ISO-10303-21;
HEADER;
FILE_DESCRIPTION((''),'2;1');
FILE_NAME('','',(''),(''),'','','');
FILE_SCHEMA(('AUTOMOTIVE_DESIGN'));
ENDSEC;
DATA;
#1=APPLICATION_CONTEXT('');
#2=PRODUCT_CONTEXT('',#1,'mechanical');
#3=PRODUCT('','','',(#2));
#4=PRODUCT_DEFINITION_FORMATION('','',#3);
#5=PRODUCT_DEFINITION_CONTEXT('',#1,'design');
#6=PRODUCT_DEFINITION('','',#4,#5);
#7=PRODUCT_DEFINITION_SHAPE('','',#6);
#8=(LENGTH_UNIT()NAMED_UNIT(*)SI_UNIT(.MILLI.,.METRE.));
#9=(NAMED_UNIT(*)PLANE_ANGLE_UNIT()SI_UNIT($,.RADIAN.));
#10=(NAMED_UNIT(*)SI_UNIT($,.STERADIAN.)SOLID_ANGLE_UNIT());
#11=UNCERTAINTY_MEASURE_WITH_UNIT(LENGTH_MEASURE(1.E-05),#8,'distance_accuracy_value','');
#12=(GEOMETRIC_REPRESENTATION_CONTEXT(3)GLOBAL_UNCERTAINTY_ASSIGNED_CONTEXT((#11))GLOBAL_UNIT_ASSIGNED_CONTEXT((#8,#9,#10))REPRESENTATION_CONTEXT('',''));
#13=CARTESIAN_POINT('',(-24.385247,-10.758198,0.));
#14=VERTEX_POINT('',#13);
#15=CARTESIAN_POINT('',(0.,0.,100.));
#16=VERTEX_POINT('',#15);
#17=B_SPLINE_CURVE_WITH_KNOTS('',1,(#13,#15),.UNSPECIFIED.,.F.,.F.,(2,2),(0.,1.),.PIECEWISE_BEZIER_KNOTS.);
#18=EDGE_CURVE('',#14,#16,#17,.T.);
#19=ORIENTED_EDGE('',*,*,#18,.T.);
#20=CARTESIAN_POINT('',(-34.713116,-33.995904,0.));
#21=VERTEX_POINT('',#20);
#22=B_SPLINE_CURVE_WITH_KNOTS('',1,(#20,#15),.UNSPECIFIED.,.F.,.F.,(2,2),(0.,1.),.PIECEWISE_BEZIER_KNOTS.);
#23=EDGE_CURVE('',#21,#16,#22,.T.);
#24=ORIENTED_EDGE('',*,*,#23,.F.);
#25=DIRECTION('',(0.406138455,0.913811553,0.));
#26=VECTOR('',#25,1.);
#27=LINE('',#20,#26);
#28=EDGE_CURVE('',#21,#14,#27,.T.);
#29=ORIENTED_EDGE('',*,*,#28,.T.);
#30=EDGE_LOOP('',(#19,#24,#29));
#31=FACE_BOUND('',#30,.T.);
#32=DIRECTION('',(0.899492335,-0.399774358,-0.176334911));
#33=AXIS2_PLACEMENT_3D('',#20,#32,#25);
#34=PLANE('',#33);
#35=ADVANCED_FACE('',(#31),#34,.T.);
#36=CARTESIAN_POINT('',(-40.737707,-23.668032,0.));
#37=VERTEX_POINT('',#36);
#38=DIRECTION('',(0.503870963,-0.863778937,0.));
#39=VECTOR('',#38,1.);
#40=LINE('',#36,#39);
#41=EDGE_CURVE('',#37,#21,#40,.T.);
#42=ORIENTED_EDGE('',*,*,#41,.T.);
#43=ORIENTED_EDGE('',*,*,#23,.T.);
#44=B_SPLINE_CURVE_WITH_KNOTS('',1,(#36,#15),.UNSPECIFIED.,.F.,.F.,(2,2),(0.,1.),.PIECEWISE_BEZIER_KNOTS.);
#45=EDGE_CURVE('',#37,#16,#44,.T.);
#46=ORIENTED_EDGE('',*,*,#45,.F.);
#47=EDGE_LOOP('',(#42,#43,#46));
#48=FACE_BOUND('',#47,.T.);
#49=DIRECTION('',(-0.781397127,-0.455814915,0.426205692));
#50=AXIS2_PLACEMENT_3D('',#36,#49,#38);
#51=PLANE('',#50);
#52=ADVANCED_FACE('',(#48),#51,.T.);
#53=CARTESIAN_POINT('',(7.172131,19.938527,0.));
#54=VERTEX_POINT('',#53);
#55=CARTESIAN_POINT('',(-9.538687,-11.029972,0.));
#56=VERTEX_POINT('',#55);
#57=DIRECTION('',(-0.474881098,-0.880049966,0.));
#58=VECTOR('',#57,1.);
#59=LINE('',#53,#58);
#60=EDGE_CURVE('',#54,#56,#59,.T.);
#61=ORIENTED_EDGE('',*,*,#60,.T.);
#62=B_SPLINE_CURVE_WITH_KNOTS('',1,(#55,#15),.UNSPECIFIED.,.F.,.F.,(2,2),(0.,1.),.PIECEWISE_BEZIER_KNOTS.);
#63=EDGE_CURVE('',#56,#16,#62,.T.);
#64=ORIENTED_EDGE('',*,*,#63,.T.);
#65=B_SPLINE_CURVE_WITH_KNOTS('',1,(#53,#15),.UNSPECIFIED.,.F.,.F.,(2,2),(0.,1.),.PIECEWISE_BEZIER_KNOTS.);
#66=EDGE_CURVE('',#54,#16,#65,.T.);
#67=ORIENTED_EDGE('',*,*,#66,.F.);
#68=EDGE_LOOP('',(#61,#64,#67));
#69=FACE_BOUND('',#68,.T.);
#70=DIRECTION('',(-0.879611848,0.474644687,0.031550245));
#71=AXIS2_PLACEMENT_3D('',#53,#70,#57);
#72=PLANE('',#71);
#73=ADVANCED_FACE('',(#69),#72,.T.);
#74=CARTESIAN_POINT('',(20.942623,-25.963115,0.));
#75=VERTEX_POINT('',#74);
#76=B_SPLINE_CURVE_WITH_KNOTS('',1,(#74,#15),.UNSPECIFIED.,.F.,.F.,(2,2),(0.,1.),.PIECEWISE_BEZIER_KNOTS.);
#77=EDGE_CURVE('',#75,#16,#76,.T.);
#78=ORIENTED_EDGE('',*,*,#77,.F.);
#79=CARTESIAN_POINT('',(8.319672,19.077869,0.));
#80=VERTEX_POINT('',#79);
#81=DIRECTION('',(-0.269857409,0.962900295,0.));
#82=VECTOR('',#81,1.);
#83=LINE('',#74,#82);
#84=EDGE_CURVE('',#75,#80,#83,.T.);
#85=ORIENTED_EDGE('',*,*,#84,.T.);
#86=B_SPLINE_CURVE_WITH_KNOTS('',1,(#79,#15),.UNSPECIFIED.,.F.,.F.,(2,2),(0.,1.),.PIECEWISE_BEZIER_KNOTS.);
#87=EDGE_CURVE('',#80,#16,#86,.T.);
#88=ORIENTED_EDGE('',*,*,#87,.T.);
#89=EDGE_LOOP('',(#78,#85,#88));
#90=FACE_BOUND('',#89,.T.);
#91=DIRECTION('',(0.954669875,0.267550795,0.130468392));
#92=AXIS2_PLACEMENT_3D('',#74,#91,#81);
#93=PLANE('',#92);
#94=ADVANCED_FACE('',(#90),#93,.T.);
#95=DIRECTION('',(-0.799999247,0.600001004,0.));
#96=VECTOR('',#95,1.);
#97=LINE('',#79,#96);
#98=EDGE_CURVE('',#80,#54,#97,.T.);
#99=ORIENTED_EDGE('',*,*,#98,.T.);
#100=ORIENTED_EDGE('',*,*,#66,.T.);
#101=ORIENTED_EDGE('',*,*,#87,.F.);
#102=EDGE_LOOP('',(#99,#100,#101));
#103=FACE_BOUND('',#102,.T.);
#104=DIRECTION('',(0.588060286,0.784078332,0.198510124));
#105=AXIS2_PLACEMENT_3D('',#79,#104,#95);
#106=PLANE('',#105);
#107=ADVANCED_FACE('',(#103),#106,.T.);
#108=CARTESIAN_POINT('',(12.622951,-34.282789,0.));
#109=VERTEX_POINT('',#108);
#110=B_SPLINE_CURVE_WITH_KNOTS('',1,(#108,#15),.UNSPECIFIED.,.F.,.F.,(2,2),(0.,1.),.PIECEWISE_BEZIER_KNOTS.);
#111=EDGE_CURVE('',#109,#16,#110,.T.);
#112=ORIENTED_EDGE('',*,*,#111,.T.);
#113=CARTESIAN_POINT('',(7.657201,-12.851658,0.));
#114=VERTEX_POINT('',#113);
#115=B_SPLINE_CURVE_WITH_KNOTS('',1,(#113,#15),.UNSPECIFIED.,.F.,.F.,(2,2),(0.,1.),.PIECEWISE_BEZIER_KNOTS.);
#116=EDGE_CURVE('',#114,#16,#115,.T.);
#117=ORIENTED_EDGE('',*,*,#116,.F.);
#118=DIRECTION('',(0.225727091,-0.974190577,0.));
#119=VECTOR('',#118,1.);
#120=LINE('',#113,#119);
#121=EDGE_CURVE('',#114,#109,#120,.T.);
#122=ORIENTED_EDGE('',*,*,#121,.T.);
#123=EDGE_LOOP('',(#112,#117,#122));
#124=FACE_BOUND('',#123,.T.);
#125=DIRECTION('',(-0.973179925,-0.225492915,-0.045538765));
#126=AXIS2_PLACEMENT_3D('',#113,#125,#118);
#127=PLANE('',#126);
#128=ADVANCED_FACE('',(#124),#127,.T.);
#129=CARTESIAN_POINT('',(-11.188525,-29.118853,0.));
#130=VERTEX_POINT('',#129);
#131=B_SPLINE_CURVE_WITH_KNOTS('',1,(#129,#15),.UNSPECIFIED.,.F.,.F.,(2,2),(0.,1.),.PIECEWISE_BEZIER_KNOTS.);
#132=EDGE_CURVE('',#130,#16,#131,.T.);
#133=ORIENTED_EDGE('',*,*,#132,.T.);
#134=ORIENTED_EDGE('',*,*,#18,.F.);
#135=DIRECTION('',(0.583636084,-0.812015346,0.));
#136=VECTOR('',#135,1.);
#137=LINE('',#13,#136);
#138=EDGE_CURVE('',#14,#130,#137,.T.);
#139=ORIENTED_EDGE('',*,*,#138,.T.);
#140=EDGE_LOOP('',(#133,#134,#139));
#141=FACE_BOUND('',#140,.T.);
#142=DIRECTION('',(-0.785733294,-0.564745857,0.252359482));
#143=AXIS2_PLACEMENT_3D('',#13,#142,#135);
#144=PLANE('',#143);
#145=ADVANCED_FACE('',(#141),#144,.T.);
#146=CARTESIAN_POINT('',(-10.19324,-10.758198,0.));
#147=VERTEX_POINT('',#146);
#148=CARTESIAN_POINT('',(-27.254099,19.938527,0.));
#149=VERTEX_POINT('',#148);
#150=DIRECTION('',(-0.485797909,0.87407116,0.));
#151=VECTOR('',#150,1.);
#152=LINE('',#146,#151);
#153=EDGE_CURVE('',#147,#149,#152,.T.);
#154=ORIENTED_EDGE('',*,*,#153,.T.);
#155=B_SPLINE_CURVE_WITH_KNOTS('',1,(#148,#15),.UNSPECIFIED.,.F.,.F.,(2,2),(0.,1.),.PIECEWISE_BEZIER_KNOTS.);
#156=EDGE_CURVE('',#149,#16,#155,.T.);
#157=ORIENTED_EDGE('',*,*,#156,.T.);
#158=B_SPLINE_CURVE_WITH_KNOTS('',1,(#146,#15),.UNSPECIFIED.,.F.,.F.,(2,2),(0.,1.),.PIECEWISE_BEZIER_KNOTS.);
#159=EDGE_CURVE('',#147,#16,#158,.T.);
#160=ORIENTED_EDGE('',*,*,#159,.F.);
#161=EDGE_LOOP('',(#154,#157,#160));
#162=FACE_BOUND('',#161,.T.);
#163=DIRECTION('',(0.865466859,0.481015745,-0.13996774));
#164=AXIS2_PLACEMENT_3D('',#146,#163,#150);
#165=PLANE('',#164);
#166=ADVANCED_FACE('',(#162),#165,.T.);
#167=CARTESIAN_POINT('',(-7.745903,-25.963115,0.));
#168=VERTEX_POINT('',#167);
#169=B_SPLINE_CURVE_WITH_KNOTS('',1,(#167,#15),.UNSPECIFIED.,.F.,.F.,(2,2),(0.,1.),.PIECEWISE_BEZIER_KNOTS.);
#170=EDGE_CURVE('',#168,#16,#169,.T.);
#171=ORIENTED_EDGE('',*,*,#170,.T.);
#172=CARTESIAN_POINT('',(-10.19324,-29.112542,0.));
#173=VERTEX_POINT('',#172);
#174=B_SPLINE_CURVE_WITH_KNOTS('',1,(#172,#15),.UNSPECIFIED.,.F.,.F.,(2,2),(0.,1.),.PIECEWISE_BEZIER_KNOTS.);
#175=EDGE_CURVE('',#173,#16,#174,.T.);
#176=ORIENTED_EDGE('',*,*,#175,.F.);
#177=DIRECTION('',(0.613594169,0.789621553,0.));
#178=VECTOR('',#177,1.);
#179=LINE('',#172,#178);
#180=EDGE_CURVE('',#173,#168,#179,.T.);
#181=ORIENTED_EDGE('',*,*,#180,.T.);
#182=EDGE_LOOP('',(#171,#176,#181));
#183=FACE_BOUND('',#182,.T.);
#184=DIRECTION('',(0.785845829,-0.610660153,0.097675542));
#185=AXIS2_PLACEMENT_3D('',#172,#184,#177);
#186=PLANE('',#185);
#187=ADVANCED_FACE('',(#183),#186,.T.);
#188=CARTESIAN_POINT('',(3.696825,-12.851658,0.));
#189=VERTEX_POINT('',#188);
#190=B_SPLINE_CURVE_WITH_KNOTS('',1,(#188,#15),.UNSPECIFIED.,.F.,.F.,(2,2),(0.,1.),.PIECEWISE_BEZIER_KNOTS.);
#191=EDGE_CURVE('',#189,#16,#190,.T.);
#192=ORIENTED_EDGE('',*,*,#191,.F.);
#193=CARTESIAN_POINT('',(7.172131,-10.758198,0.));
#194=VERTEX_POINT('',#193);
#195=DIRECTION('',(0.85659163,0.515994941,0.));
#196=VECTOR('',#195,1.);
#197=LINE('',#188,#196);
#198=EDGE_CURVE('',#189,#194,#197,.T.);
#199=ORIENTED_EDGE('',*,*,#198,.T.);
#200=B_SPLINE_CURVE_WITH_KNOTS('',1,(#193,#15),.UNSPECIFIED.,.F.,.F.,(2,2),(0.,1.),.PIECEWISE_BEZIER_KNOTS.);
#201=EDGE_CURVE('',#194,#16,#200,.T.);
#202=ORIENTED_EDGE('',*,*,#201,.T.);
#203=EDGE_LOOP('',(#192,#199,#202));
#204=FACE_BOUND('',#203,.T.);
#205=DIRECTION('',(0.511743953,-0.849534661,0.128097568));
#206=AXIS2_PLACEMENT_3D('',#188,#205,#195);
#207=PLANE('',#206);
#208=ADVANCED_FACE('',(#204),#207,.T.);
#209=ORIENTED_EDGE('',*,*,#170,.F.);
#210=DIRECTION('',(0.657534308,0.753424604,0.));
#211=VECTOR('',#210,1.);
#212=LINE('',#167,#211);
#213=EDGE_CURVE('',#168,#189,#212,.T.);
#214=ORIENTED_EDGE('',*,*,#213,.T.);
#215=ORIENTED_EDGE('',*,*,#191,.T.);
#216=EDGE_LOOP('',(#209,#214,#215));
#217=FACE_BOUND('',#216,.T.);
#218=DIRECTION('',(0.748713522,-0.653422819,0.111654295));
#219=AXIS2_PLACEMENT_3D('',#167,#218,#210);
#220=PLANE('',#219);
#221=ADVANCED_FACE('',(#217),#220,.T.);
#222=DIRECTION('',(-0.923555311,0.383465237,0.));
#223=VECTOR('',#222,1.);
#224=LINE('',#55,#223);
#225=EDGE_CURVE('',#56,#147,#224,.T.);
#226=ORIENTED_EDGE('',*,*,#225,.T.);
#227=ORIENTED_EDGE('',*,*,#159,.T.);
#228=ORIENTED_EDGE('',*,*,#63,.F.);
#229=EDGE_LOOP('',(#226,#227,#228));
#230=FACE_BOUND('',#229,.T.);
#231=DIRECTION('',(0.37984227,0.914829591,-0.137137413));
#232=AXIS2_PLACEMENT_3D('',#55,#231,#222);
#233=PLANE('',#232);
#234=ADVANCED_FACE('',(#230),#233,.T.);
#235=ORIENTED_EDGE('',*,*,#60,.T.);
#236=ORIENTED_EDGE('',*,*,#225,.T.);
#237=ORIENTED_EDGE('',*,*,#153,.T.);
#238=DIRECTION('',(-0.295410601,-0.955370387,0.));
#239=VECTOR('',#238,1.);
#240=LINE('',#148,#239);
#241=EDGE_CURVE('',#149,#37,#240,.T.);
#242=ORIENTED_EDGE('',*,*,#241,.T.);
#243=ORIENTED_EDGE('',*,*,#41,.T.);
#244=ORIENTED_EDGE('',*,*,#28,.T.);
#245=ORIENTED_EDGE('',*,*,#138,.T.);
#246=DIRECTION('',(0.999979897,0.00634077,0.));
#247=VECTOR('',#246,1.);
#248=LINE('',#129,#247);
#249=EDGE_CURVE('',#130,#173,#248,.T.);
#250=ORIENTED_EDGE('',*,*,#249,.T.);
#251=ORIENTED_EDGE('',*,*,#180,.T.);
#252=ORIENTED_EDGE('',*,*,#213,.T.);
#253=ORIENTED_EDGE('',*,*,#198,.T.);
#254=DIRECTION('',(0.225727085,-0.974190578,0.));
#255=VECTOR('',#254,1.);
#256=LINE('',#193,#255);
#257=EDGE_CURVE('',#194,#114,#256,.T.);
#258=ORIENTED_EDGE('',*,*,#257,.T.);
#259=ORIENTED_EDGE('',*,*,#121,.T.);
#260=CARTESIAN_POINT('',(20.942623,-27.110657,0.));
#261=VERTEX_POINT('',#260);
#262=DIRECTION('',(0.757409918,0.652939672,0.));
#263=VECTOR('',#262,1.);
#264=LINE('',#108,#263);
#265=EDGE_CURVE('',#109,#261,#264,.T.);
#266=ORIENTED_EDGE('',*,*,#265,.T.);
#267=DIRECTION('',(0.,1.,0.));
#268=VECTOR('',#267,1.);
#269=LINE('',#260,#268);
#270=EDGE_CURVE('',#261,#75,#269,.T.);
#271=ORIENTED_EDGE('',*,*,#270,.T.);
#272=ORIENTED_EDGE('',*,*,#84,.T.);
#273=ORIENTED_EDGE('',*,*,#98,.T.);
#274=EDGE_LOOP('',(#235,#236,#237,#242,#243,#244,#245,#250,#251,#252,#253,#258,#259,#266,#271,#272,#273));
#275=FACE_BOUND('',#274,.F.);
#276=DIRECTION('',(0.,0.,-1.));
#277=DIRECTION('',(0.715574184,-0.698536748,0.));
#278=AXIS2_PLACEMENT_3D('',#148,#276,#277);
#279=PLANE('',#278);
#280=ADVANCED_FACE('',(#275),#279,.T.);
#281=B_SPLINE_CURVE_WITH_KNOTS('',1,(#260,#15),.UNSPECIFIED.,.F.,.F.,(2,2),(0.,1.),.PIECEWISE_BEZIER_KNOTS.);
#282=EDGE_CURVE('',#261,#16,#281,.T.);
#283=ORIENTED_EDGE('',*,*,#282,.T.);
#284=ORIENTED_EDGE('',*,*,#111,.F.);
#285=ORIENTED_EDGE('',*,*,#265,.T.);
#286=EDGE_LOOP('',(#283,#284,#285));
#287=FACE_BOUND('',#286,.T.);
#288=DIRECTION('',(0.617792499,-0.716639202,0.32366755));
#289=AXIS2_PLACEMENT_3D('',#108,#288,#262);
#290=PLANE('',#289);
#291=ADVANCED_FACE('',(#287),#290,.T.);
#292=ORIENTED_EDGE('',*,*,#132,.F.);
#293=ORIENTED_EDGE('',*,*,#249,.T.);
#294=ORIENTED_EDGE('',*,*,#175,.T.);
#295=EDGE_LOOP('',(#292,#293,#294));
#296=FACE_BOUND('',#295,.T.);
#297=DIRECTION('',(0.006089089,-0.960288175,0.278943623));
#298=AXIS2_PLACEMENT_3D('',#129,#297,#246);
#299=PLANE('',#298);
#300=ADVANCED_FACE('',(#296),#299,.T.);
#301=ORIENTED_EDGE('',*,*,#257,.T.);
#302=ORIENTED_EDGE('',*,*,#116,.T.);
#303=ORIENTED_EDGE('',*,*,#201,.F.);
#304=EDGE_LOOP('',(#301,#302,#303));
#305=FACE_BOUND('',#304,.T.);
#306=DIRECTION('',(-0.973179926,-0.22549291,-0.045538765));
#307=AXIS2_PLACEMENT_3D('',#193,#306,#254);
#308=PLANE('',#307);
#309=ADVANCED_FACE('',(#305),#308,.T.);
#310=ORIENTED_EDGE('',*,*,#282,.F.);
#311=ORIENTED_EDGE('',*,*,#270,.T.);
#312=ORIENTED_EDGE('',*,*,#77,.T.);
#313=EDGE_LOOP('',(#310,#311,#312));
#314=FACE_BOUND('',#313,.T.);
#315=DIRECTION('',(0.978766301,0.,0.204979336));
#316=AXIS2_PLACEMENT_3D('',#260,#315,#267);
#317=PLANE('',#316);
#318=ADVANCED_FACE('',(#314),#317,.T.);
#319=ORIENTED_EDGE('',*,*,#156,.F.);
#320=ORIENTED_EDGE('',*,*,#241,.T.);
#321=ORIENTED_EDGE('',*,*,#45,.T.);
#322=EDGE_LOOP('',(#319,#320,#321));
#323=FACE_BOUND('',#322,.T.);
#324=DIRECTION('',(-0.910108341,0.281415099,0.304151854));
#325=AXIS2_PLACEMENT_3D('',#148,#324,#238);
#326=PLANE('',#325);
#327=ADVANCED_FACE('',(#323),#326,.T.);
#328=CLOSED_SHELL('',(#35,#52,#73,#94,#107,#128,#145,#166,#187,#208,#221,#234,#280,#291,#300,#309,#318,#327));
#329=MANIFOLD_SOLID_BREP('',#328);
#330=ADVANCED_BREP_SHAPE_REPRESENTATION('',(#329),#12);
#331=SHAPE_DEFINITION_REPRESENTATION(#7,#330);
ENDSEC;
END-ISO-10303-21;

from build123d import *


with BuildPart() as f3:
    # F0 (on Top) → F3 section 0
    with BuildSketch(Plane.XY, mode=Mode.PRIVATE) as f3_s0:
        Polygon((-27.254099, 19.938527), (-40.737707, -23.668032), (-34.713116, -33.995904), (-24.385247, -10.758198), (-11.188525, -29.118853), (-10.19324, -29.112542), (-7.745903, -25.963115), (3.696825, -12.851658), (7.172131, -10.758198), (7.657201, -12.851658), (12.622951, -34.282789), (20.942623, -27.110657), (20.942623, -25.963115), (8.319672, 19.077869), (7.172131, 19.938527), (-9.538687, -11.029972), (-10.19324, -10.758198), align=None)
    loft([f3_s0.sketch, Vertex(0, 0, 100)])


solid = f3.part
